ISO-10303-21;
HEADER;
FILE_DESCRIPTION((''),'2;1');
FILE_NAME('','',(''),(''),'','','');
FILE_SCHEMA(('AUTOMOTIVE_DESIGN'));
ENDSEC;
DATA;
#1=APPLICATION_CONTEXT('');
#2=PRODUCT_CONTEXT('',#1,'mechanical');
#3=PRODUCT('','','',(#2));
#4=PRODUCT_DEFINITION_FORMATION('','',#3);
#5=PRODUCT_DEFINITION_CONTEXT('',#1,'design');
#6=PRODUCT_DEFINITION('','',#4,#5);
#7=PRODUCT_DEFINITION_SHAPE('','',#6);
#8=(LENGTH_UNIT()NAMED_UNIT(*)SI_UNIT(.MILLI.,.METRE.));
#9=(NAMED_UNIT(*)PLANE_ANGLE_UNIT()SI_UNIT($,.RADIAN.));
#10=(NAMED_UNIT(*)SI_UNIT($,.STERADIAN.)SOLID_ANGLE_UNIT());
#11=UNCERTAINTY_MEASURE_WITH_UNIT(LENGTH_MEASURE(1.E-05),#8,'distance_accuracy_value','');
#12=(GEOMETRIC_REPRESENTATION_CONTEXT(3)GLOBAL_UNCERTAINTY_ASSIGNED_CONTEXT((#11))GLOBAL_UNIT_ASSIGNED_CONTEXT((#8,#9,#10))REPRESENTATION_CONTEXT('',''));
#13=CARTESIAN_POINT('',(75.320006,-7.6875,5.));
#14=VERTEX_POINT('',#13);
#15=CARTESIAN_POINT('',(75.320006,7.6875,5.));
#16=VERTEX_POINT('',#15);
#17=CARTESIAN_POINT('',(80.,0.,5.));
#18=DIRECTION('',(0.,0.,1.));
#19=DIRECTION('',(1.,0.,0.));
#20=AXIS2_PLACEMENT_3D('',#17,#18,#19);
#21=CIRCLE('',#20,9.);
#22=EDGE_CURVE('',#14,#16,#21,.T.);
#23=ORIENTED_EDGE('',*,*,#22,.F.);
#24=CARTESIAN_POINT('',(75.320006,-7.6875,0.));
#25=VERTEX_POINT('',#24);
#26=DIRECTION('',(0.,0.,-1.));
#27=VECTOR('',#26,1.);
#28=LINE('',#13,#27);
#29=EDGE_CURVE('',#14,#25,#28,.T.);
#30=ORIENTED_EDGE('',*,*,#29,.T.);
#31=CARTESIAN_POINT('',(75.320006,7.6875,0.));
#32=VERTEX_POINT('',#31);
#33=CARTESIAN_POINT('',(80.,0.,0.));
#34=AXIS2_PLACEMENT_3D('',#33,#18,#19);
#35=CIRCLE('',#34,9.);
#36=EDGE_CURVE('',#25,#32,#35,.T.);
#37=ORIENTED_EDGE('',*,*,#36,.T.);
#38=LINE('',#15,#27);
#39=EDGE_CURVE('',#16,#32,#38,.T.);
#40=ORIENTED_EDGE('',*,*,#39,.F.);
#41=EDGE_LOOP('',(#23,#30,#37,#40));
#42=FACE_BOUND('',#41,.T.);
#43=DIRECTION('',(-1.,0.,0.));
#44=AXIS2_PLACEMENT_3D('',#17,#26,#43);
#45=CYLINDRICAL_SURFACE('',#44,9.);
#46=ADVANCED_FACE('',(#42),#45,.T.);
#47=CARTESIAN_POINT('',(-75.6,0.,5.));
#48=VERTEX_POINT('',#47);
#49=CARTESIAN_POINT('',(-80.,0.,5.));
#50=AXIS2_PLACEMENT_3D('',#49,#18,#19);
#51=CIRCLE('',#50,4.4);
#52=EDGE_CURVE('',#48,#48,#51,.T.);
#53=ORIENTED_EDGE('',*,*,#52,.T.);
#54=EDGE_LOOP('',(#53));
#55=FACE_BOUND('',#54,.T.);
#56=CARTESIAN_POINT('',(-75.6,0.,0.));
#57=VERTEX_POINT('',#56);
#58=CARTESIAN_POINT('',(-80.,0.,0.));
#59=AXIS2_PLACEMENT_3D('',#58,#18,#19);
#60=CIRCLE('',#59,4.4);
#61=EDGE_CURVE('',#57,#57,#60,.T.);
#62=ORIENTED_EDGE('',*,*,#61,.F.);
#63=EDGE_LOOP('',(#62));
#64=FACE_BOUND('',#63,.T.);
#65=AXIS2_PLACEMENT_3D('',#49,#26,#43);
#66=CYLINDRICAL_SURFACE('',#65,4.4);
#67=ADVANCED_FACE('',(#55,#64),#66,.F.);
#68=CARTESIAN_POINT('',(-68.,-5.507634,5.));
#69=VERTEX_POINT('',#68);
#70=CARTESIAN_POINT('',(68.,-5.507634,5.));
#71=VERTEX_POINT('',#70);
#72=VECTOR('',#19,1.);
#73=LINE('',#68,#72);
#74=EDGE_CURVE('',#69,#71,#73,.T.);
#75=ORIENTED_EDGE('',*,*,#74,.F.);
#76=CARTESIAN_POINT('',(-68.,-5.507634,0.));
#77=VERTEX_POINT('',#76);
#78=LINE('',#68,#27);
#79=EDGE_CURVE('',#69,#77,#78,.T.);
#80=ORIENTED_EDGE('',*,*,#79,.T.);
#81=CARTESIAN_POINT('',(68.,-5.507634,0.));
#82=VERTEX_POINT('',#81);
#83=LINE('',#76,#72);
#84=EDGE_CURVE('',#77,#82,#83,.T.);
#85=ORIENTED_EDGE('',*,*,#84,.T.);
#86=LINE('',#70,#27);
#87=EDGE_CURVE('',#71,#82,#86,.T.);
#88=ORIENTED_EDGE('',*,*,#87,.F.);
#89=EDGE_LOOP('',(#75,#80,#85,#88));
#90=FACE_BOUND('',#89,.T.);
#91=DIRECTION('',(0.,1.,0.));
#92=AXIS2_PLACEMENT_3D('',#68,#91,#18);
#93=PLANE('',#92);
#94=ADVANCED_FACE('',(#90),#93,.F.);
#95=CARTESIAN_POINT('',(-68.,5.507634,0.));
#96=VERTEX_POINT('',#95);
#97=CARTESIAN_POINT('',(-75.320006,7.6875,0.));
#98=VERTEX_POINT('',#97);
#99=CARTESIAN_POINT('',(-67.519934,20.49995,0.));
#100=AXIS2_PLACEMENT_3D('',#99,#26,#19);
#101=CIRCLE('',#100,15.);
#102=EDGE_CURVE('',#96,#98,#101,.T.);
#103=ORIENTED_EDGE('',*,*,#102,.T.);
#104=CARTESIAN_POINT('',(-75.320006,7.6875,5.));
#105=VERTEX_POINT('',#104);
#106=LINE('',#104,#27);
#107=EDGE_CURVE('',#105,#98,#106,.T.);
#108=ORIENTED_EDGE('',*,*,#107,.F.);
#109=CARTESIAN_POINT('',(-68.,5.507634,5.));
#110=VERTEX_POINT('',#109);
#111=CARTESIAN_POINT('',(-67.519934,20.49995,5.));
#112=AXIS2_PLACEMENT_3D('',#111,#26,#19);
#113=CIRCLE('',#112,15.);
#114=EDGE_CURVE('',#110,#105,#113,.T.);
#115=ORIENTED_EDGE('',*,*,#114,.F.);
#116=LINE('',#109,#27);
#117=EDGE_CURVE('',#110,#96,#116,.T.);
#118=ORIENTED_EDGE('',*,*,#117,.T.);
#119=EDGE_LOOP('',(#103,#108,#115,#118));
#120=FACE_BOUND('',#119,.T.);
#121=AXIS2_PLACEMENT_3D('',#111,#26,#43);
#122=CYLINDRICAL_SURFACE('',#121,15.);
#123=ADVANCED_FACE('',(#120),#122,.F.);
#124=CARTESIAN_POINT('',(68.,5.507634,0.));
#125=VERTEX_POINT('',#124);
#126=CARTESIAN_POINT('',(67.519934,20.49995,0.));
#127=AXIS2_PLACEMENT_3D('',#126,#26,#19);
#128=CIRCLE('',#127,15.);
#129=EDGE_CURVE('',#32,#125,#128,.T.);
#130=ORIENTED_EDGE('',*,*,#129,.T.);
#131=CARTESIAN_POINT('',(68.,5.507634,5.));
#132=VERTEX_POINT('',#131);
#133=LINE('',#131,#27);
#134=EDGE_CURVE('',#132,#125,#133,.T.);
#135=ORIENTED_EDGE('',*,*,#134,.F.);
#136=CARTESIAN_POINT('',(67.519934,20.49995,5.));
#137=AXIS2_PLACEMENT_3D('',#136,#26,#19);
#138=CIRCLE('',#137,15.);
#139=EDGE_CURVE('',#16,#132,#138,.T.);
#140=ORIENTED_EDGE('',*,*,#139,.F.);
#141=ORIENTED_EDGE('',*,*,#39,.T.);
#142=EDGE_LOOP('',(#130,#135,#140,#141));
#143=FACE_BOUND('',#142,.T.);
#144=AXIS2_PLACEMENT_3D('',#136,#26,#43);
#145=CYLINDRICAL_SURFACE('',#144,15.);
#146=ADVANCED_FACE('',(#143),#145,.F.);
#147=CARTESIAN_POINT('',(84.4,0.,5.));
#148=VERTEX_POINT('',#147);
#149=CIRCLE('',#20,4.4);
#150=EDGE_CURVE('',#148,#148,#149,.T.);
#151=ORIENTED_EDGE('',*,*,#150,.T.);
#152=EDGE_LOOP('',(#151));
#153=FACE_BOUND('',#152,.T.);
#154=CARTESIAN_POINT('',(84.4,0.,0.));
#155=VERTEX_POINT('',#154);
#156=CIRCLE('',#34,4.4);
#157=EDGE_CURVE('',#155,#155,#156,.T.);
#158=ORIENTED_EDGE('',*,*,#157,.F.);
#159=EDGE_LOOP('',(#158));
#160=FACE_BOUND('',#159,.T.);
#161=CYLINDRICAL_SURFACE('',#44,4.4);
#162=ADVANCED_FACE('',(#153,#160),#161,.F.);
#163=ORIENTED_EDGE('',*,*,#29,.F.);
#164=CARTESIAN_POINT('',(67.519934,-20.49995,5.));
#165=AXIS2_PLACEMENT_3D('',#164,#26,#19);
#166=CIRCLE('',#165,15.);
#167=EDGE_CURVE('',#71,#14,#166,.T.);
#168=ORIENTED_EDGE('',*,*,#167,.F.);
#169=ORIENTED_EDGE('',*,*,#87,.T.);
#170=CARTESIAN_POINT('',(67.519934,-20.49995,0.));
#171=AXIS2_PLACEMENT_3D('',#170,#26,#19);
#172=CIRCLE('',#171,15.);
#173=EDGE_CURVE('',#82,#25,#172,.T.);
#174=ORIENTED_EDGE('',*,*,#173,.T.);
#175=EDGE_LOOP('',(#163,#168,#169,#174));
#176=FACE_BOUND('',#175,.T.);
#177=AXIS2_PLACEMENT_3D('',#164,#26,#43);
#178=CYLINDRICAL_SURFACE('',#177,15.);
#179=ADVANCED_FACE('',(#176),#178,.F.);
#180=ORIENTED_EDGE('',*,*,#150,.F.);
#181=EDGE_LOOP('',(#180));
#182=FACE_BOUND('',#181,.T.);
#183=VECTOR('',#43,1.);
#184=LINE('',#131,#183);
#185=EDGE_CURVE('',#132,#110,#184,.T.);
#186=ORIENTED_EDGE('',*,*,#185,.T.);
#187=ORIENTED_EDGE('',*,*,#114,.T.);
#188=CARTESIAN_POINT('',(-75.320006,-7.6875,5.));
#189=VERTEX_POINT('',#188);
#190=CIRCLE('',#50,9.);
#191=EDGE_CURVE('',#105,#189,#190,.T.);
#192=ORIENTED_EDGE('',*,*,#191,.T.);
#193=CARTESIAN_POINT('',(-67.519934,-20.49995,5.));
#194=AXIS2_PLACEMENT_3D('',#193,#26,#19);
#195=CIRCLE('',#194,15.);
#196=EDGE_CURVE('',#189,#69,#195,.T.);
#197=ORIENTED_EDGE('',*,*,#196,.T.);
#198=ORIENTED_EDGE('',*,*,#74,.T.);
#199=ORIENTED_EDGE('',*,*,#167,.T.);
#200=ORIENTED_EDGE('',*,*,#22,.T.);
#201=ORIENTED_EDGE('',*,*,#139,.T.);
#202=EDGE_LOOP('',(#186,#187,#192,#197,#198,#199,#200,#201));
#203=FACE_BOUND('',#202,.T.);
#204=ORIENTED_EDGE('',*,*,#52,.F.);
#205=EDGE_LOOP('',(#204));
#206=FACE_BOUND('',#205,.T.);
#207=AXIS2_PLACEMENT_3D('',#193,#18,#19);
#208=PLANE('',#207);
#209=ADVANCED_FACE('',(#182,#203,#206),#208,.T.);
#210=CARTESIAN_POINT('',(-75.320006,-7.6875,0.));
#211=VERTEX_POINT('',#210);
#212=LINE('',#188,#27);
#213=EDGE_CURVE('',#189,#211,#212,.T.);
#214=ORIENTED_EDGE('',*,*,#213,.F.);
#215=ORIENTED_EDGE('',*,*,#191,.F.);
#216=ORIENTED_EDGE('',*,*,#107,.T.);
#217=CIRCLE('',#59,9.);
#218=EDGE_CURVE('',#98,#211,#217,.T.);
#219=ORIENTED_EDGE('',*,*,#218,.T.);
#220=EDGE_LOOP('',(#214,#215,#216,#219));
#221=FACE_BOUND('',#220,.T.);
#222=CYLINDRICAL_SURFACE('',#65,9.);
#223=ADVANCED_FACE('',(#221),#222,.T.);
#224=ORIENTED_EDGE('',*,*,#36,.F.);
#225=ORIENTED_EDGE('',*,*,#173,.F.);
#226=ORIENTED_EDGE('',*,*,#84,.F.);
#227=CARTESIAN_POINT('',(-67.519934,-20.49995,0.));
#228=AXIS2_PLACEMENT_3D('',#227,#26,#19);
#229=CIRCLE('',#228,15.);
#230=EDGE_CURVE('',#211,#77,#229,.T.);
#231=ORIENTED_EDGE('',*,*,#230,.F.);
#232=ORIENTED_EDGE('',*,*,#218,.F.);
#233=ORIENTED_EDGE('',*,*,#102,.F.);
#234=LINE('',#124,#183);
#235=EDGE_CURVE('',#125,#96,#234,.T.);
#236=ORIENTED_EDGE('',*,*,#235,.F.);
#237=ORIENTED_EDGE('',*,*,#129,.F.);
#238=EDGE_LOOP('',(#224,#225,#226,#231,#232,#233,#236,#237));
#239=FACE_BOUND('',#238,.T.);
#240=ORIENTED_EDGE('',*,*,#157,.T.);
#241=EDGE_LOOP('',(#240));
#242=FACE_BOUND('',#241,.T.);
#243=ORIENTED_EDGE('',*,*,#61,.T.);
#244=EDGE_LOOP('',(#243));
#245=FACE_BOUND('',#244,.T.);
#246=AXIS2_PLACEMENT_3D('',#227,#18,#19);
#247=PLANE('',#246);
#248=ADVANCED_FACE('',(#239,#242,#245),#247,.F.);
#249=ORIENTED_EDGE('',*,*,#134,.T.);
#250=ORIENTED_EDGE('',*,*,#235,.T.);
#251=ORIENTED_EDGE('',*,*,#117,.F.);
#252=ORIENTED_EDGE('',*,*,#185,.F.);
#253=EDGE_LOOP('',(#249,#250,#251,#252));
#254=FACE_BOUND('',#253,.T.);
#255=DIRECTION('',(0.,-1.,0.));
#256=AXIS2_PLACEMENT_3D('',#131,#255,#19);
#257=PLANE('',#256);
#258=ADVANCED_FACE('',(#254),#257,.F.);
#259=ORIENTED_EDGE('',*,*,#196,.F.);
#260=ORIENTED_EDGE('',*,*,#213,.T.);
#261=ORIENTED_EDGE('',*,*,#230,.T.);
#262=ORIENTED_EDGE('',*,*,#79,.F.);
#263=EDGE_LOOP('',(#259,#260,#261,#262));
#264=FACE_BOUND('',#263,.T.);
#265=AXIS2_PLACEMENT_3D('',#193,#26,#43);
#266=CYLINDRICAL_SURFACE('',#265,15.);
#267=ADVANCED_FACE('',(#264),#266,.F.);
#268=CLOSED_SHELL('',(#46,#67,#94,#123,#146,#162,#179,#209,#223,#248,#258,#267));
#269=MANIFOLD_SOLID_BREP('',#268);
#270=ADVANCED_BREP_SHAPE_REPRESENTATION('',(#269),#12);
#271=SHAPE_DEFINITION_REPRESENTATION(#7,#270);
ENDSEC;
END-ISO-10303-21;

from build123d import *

# Parameters (mm, degrees)
ESQUISSE1_R        = 4.4
BOSS_EXTRU_1_DEPTH = 5


with BuildPart() as part:
    # Esquisse1 → Boss.-Extru.1 (new body)
    with BuildSketch(Plane.XY):
        with BuildLine():
            Line((68, 5.507634318), (-68, 5.507634318))
            ThreePointArc((-68, 5.507634318), (-71.801069942, 6.123863241), (-75.320005991, 7.687499989))
            ThreePointArc((-75.320005991, 7.687499989), (-89, 0), (-75.320005991, -7.687499989))
            ThreePointArc((-75.320005991, -7.687499989), (-71.801069944, -6.123863232), (-68, -5.5076343))
            Line((-68, -5.5076343), (68, -5.5076343))
            ThreePointArc((68, -5.5076343), (71.801069954, -6.123863235), (75.320006009, -7.6875))
            ThreePointArc((75.320006009, -7.6875), (89, 0), (75.320006009, 7.6875))
            ThreePointArc((75.320006009, 7.6875), (71.801069953, 6.123863244), (68, 5.507634318))
        make_face()
        with Locations((-80, 0)):
            Circle(ESQUISSE1_R, mode=Mode.SUBTRACT)
        with Locations((80, 0)):
            Circle(ESQUISSE1_R, mode=Mode.SUBTRACT)
    extrude(amount=BOSS_EXTRU_1_DEPTH)


solid = part.part
